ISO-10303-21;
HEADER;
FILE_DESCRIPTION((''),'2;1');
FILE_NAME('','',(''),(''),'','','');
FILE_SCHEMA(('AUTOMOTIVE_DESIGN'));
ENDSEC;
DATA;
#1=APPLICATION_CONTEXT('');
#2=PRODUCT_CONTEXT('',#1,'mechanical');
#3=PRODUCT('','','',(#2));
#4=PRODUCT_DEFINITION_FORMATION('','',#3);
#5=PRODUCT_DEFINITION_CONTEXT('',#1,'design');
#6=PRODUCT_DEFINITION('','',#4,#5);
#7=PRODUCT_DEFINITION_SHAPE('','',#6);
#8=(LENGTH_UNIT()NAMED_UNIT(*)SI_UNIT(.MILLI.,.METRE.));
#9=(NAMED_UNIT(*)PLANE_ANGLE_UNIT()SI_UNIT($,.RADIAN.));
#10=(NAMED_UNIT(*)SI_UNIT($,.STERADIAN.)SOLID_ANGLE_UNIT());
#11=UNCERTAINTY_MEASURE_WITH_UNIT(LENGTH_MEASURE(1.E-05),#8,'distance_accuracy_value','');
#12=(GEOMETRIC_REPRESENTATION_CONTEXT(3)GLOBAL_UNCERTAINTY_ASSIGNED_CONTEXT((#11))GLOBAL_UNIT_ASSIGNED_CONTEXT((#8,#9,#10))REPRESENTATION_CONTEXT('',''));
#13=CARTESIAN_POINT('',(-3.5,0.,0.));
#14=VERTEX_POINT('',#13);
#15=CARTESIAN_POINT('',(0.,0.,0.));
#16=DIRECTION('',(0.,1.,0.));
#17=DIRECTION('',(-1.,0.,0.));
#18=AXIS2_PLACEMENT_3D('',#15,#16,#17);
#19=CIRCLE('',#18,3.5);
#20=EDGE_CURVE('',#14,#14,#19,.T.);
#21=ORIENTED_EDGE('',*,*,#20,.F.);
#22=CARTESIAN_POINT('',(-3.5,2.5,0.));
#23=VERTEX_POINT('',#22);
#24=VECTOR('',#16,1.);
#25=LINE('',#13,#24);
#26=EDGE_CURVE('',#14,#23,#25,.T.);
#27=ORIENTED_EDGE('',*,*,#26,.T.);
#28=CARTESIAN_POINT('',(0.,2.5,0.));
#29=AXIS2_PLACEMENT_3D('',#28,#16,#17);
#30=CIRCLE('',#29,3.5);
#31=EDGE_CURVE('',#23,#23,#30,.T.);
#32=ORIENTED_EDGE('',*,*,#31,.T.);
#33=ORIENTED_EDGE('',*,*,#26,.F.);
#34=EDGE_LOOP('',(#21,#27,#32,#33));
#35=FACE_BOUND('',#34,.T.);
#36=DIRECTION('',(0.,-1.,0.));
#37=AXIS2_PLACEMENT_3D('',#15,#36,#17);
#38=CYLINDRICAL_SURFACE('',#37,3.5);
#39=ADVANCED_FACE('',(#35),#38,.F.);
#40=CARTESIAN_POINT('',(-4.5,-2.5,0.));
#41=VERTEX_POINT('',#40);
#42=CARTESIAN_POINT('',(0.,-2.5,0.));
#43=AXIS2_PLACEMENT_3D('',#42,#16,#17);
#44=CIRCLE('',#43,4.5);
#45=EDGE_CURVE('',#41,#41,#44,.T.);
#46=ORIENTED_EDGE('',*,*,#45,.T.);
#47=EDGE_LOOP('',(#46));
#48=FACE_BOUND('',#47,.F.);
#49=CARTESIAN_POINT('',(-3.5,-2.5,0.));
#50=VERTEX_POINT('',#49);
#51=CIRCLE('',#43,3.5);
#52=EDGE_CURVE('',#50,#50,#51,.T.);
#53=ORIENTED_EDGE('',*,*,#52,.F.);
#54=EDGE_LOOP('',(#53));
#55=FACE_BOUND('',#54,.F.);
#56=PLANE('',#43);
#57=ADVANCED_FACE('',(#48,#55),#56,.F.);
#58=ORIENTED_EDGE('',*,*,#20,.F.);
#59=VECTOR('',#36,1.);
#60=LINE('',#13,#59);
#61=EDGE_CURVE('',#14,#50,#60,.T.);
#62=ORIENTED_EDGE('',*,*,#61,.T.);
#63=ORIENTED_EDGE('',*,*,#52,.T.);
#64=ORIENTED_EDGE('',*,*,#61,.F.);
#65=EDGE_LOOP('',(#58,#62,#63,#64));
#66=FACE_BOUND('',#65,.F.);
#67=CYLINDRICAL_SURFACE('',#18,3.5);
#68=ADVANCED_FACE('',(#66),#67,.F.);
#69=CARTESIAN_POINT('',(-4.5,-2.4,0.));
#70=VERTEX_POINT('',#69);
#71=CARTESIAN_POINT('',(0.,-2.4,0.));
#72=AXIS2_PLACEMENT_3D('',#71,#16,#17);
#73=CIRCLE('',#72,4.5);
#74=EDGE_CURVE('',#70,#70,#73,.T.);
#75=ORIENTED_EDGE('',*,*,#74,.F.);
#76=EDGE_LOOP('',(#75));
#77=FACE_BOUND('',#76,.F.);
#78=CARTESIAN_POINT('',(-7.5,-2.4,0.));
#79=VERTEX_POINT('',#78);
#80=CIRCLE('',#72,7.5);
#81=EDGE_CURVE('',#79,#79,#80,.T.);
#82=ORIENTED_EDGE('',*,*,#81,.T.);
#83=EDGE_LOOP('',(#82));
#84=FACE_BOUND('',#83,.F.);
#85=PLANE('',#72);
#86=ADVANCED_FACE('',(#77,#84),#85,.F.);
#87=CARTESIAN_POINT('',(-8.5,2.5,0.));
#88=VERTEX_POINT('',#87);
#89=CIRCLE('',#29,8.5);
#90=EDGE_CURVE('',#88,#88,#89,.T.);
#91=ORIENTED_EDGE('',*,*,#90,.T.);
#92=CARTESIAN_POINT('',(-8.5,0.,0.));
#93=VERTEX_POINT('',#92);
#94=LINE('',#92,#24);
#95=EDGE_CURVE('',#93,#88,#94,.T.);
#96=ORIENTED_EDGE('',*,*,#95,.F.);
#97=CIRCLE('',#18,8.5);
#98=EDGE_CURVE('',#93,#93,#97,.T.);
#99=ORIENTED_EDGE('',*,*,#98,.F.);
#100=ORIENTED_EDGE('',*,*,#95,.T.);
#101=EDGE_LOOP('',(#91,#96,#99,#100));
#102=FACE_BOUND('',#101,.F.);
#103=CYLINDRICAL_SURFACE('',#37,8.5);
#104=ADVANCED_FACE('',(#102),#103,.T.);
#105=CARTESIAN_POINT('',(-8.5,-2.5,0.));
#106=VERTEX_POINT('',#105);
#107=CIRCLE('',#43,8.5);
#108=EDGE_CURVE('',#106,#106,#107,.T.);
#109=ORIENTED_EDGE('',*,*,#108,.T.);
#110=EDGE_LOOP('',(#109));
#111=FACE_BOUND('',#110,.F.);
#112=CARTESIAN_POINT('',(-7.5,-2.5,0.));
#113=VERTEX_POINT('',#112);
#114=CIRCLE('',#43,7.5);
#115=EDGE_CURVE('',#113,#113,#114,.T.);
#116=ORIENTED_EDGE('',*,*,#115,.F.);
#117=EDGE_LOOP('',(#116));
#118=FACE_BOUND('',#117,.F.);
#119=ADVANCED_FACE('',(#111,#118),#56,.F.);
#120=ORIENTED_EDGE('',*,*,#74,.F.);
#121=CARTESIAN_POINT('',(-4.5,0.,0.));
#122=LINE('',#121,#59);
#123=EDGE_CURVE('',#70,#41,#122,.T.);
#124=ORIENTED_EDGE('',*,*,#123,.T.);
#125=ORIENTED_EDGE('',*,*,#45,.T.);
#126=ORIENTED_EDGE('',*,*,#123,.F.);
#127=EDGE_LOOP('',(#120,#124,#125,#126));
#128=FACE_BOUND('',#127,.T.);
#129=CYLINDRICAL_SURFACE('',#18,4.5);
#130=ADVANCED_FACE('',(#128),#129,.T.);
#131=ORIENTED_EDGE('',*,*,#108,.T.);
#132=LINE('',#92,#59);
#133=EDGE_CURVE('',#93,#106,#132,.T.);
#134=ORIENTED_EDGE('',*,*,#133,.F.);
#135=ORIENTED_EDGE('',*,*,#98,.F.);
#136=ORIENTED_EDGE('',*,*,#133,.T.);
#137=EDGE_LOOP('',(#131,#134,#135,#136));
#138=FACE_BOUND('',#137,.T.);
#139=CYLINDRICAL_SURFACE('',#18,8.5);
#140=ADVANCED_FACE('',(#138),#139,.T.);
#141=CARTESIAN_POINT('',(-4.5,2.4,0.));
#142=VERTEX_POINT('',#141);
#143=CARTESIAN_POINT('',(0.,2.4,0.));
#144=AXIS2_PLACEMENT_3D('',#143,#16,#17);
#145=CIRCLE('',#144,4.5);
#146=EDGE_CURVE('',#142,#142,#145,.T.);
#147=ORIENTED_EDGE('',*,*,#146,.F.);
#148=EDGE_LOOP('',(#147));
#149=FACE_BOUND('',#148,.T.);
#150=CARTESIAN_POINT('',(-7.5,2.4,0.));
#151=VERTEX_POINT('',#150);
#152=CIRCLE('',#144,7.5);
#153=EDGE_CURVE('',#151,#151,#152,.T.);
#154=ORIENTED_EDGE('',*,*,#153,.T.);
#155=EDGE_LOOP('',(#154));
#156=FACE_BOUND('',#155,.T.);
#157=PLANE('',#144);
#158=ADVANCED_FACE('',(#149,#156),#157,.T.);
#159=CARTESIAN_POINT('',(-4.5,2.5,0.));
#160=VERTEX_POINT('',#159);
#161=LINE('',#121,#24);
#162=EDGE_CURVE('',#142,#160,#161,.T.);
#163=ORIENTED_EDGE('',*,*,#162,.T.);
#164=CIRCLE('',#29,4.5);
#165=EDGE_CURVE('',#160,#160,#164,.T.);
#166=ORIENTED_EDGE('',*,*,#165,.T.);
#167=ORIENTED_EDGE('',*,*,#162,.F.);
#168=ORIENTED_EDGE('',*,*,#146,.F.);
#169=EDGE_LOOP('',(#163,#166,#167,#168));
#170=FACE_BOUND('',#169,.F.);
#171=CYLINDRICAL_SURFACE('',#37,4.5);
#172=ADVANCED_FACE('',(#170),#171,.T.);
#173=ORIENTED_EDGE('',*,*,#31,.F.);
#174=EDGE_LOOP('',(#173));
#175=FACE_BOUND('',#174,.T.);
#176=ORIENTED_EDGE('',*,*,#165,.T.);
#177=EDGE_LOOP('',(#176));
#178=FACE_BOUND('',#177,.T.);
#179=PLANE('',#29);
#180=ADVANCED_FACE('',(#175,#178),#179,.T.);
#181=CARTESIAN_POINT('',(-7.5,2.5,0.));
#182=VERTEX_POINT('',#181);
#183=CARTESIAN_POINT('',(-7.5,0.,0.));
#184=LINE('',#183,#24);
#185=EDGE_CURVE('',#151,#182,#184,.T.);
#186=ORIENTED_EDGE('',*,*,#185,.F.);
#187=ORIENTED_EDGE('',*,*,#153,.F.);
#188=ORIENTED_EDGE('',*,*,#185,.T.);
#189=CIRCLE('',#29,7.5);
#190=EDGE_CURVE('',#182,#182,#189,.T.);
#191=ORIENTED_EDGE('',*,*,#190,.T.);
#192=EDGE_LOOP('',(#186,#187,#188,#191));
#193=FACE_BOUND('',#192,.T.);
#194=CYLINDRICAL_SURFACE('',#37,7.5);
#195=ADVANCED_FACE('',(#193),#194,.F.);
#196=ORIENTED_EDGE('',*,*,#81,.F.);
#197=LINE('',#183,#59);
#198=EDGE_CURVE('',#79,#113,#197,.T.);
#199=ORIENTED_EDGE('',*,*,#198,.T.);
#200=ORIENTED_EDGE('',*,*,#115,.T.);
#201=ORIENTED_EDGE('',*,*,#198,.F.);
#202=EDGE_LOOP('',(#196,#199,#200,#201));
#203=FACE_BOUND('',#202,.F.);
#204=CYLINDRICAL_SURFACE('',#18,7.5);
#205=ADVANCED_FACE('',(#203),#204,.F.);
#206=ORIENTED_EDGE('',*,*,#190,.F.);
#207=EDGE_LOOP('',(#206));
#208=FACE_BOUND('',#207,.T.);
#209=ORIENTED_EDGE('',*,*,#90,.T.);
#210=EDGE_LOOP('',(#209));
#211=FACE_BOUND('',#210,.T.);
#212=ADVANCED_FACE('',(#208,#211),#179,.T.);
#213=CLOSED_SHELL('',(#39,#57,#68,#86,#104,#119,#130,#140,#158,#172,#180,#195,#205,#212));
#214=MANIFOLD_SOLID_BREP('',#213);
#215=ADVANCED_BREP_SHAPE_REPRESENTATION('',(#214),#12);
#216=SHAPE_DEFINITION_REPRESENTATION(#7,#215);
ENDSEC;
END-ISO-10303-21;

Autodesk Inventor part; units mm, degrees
ref_plane "YZ Plane" through (0, 0, 0) normal (1, 0, 0) x (0, 1, 0)
ref_plane "XZ Plane" through (0, 0, 0) normal (0, 1, 0) x (-1, 0, 0)
ref_plane "XY Plane" through (0, 0, 0) normal (0, 0, 1) x (1, 0, 0)
sketch "Skizze1" plane through (0, 0, 0) normal (0, 1, 0) x (-1, 0, 0)
  circle A0 centre (0, 0) radius 8.5
  circle A1 centre (0, 0) radius 3.5
  circle A2 centre (0, 0) radius 7.5
  circle A3 centre (0, 0) radius 4.5
  dimension "d0" = 17
  dimension "d1" = 7
  dimension "d2" = 1
  dimension "d3" = 1
extrude "Extrusion1" add sketch "Skizze1" along normal mid plane 5
extrude "Extrusion2" add sketch "Skizze1" along normal mid plane 4.8 contours A2
properties part number "Kugellager 14 x 7 x 5"
